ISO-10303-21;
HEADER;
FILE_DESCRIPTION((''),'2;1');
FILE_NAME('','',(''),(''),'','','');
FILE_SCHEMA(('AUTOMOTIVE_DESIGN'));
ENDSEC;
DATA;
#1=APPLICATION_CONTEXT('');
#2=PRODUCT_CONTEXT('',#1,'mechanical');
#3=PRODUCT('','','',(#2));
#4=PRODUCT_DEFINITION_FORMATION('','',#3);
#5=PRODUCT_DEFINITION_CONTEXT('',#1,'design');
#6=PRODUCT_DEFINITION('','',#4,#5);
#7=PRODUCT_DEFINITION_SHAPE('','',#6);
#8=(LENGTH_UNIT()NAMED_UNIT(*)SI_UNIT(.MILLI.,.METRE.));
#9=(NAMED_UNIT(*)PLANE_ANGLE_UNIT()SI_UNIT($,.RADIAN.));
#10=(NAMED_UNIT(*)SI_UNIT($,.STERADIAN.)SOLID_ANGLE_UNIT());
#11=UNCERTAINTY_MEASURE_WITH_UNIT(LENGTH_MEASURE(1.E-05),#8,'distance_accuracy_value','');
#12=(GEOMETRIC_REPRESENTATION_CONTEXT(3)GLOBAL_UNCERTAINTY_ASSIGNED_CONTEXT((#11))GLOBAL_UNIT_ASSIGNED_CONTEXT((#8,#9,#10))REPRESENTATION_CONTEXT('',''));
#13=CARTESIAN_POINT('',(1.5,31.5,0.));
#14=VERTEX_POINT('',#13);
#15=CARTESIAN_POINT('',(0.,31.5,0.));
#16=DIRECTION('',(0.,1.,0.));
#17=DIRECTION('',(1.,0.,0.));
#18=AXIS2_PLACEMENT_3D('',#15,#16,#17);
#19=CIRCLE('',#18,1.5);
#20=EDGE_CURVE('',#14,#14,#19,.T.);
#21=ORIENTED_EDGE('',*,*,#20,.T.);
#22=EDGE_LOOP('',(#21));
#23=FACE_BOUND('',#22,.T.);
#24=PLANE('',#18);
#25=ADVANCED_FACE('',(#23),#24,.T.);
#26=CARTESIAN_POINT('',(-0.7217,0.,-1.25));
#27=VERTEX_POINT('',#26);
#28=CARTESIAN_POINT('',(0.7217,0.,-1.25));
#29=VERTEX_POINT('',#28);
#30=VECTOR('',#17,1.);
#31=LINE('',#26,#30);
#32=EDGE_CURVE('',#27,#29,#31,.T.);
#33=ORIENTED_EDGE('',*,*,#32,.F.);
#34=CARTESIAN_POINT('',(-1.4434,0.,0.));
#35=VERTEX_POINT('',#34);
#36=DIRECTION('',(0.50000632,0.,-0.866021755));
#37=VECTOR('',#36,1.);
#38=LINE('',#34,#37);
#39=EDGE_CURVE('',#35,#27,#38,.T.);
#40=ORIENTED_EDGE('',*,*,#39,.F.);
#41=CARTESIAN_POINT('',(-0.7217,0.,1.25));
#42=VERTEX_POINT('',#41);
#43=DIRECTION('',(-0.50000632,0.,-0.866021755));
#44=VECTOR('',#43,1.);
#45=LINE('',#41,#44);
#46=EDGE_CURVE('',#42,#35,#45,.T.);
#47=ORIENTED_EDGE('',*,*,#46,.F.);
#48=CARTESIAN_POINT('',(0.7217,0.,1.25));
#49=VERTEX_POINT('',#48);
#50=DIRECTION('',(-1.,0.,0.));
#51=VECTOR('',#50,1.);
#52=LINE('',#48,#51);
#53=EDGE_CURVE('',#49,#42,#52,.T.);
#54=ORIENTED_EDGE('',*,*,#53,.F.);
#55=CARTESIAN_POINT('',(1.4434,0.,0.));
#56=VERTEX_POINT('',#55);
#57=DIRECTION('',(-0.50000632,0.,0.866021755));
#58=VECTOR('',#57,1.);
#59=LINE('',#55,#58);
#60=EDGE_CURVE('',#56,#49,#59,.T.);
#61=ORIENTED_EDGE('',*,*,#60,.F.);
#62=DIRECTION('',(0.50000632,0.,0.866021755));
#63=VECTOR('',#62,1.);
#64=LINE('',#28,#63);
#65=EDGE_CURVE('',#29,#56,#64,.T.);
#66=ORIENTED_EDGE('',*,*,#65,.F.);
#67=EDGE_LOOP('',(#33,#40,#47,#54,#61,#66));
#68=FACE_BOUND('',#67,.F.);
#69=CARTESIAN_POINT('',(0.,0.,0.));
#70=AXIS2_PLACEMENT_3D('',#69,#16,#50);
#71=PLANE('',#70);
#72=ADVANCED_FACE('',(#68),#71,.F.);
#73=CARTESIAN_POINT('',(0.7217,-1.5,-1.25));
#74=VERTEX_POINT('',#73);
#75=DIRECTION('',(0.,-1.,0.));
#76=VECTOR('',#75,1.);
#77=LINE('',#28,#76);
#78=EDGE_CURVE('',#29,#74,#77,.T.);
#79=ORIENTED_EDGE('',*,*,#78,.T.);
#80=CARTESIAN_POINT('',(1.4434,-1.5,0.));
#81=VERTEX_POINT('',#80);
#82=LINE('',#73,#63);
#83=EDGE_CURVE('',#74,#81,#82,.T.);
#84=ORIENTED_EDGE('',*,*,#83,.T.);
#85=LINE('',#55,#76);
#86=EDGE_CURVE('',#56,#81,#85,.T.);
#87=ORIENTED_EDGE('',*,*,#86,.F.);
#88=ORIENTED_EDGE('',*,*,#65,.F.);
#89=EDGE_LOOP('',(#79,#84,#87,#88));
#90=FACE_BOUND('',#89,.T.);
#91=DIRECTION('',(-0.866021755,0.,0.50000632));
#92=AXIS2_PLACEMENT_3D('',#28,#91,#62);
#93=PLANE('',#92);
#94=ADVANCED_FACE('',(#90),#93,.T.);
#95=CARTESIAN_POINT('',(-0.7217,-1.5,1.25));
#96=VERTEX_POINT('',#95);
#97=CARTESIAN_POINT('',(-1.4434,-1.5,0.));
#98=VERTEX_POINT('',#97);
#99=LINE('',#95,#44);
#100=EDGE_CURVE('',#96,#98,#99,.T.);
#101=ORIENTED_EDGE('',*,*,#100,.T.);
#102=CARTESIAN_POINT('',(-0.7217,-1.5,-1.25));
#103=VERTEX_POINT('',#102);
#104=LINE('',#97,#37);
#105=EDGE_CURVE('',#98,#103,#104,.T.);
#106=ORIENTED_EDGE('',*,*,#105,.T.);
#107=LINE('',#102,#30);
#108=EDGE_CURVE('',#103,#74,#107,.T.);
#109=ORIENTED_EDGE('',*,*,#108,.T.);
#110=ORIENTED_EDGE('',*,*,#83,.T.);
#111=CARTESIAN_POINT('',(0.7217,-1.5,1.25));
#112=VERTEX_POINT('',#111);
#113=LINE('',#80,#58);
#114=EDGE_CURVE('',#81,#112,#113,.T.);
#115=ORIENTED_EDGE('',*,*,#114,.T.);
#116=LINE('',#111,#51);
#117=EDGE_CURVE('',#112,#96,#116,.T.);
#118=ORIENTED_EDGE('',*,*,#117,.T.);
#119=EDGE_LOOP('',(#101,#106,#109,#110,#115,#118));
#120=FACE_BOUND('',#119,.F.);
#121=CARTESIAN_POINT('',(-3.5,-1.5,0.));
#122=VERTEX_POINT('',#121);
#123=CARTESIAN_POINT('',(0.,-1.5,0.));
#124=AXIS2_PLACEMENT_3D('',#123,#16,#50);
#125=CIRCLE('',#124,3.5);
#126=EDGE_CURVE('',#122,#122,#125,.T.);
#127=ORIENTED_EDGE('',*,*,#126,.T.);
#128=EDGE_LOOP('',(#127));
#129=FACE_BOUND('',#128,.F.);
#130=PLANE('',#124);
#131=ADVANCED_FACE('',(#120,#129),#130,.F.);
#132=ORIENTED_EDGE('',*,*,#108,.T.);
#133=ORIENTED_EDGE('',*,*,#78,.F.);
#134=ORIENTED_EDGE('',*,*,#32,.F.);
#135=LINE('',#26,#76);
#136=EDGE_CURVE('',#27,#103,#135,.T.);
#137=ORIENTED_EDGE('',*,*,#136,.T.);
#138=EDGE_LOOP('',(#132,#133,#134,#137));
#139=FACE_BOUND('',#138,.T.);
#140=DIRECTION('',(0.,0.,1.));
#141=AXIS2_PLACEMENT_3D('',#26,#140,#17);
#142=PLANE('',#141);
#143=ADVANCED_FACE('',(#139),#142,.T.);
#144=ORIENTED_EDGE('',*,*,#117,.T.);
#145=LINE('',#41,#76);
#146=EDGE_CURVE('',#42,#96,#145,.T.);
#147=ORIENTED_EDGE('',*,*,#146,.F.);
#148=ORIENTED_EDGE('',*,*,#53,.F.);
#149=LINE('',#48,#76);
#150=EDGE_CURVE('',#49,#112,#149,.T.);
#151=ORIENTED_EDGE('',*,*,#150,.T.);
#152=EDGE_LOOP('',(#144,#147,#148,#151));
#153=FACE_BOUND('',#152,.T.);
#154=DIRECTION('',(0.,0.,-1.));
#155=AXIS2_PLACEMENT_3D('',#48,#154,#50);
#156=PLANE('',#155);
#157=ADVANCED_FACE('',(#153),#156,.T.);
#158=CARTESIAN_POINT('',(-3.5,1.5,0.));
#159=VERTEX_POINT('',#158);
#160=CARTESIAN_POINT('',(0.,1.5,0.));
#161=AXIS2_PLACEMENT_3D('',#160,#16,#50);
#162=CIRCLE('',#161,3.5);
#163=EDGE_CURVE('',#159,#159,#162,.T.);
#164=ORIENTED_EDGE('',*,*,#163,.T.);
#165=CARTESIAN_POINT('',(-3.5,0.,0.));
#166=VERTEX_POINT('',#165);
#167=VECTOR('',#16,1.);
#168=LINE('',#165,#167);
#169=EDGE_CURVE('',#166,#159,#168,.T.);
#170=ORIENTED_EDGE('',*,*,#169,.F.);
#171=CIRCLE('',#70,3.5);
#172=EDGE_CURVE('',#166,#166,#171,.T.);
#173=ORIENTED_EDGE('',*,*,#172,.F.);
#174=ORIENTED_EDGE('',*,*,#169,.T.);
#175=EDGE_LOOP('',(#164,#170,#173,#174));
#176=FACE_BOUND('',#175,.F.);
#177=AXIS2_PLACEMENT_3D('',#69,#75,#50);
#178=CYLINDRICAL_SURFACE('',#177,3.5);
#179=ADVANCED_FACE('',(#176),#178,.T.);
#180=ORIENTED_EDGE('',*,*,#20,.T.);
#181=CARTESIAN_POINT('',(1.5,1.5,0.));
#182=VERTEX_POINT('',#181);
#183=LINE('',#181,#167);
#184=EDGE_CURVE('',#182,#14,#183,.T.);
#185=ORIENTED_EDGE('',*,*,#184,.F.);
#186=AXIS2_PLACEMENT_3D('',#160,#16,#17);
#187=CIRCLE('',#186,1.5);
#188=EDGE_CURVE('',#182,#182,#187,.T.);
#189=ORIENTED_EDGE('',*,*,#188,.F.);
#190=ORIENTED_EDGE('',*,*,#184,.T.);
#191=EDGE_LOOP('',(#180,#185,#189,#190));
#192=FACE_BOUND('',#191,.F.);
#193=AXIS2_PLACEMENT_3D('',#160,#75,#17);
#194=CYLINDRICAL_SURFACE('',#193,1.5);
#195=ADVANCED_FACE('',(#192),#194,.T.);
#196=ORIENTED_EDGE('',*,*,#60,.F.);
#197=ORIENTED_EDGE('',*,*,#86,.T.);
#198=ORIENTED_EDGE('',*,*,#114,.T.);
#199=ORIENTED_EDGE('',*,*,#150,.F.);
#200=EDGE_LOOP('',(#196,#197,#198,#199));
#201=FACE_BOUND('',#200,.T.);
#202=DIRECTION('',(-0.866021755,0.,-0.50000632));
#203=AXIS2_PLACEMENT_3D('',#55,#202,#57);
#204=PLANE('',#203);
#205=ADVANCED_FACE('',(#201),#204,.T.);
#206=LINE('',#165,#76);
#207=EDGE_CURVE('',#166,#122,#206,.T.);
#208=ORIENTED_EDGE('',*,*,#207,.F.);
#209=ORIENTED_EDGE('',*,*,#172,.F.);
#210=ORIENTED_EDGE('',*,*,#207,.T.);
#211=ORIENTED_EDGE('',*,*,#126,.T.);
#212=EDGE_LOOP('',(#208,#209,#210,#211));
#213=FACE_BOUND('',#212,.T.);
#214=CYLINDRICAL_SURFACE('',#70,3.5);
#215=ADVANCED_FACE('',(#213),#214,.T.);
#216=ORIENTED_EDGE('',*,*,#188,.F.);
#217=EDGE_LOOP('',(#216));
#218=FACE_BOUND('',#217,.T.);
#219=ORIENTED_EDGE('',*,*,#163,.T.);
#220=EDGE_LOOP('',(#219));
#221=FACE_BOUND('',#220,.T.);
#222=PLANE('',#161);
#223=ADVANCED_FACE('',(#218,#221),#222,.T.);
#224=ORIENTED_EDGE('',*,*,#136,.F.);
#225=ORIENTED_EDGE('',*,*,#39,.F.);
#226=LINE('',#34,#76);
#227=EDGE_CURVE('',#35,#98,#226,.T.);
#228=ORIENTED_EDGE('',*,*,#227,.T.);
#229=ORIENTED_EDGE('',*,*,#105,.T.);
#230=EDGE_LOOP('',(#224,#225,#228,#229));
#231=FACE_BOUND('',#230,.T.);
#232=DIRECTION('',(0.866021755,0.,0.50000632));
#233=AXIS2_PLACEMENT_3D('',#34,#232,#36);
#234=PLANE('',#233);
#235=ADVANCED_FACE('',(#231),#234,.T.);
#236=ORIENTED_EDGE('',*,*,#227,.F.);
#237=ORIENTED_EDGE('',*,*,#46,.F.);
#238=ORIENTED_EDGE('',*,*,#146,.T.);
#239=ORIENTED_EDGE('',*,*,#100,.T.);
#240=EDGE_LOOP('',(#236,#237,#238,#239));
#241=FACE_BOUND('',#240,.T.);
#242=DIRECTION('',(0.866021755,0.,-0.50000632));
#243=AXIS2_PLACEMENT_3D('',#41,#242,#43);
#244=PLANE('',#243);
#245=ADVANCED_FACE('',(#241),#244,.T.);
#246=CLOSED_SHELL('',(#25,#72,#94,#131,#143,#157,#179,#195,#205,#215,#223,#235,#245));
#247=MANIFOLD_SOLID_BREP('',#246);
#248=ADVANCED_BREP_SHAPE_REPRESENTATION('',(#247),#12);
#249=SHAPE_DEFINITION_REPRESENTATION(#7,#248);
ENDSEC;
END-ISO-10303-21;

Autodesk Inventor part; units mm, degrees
ref_plane "YZ Plane" through (0, 0, 0) normal (1, 0, 0) x (0, 1, 0)
ref_plane "XZ Plane" through (0, 0, 0) normal (0, 1, 0) x (-1, 0, 0)
ref_plane "XY Plane" through (0, 0, 0) normal (0, 0, 1) x (1, 0, 0)
sketch "Szkic1" plane through (0, 0, 0) normal (0, 1, 0) x (-1, 0, 0)
  circle A0 centre (0, 0) radius 3.5
  line L0 (0.7217, 1.25) -> (1.4434, 0)
  line L1 (1.4434, 0) -> (0.7217, -1.25)
  line L2 (0.7217, -1.25) -> (-0.7217, -1.25)
  line L3 (-0.7217, -1.25) -> (-1.4434, 0)
  line L4 (-1.4434, 0) -> (-0.7217, 1.25)
  line L5 (-0.7217, 1.25) -> (0.7217, 1.25)
  circle A1 centre (0, 0) radius 1.5
  dimension "d0" = 7
  dimension "d1" = 2.5
  dimension "d2" = 3
extrude "Wyciągnięcie proste1" add sketch "Szkic1" along normal blind 1.5 contours A0 | L0 L1 L2 L3 L4 L5 | A1
extrude "Wyciągnięcie proste2" add sketch "Szkic1" against normal blind 1.5 contours A0 | A1
sketch "Szkic2" plane through (0, 1.5, 0) normal (0, 1, 0) x (1, 0, 0)
  circle A0 centre (0, 0) radius 1.5
  dimension "d7" = 3
extrude "Wyciągnięcie proste3" add sketch "Szkic2" along normal blind 30
thread "Gwint1" size "M3x0.5" class "6g" standard "ANSI Metric M Profile" length 65
properties part number "M3x30"
